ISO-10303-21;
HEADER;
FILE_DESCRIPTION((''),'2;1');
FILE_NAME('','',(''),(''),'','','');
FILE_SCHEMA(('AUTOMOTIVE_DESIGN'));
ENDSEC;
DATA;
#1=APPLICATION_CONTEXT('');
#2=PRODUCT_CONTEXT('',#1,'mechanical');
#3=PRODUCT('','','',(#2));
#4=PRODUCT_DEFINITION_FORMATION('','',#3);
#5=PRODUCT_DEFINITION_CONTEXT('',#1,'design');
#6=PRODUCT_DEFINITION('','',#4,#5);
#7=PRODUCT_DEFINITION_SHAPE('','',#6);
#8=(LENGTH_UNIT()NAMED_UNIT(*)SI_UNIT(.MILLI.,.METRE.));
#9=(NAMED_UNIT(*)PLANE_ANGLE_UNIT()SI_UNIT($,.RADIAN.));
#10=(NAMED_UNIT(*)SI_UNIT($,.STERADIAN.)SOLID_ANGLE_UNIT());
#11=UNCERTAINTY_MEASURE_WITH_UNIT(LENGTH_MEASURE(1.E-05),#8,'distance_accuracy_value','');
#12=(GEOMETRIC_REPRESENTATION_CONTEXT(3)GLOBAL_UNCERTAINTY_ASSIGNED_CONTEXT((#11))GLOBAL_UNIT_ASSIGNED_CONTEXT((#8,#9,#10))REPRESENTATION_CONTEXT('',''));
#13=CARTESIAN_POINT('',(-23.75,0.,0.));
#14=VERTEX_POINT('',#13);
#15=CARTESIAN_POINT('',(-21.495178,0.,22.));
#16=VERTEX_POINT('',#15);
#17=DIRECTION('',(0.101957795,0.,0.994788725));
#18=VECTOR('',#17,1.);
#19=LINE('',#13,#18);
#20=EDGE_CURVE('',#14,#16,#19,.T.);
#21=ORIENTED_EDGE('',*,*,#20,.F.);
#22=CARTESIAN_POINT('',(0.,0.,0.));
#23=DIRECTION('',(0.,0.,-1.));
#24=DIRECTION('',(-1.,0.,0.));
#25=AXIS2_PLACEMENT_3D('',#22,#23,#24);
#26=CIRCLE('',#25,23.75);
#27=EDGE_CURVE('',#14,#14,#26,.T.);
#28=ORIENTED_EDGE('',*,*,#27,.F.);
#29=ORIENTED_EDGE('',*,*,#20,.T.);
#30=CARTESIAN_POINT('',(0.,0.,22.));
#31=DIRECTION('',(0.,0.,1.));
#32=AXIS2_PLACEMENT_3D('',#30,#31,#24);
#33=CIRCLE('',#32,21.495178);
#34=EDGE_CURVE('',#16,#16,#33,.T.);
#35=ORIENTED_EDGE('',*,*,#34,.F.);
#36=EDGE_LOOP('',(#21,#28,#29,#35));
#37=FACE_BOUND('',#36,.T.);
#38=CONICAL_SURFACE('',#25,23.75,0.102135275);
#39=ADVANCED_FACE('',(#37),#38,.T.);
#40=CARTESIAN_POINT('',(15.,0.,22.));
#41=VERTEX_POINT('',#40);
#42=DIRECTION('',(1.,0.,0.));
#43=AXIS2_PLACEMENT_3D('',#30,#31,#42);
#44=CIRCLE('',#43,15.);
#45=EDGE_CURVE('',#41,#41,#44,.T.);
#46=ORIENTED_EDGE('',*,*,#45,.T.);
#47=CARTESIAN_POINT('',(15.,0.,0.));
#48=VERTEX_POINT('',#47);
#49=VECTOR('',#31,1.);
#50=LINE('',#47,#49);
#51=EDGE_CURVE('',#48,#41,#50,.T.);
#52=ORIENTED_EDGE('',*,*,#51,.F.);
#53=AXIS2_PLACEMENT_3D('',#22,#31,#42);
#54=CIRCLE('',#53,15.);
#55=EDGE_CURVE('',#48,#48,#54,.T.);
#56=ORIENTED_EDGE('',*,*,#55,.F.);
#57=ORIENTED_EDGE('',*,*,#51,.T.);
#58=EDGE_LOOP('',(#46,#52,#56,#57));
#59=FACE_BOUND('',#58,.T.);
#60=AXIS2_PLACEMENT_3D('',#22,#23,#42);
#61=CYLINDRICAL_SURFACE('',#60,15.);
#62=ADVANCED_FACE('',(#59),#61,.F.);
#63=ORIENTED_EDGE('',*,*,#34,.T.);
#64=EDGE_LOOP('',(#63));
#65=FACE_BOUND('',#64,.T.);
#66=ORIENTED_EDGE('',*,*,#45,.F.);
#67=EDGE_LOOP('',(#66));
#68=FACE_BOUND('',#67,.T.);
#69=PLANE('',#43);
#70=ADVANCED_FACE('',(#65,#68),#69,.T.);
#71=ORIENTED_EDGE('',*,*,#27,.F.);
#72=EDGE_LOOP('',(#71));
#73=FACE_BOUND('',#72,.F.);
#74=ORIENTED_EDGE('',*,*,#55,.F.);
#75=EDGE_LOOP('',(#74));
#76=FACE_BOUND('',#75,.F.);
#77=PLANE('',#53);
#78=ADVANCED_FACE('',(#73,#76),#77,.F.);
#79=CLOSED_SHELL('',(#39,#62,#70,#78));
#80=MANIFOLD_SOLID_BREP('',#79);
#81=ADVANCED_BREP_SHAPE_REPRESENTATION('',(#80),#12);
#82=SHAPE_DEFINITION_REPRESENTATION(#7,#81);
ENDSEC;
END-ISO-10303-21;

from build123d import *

# Parameters (mm, degrees)
F0_R     = 23.75
F0_R_2   = 15
F1_DEPTH = 22


with BuildPart() as f1:
    # F0 (on Top) → F1 (new body)
    with BuildSketch(Plane.XY):
        Circle(F0_R)
        Circle(F0_R_2, mode=Mode.SUBTRACT)
    extrude(amount=F1_DEPTH)

    # F2 (on Front) → F3 (revolve, cut)
    with BuildSketch(Plane.XZ):
        Polygon((-23.75, 28.316489), (-23.75, 0), (-20.847789, 28.316489), align=None)
    revolve(axis=Axis((0, 0, 17.466369), (0, 0, 1)), mode=Mode.SUBTRACT)


solid = f1.part
